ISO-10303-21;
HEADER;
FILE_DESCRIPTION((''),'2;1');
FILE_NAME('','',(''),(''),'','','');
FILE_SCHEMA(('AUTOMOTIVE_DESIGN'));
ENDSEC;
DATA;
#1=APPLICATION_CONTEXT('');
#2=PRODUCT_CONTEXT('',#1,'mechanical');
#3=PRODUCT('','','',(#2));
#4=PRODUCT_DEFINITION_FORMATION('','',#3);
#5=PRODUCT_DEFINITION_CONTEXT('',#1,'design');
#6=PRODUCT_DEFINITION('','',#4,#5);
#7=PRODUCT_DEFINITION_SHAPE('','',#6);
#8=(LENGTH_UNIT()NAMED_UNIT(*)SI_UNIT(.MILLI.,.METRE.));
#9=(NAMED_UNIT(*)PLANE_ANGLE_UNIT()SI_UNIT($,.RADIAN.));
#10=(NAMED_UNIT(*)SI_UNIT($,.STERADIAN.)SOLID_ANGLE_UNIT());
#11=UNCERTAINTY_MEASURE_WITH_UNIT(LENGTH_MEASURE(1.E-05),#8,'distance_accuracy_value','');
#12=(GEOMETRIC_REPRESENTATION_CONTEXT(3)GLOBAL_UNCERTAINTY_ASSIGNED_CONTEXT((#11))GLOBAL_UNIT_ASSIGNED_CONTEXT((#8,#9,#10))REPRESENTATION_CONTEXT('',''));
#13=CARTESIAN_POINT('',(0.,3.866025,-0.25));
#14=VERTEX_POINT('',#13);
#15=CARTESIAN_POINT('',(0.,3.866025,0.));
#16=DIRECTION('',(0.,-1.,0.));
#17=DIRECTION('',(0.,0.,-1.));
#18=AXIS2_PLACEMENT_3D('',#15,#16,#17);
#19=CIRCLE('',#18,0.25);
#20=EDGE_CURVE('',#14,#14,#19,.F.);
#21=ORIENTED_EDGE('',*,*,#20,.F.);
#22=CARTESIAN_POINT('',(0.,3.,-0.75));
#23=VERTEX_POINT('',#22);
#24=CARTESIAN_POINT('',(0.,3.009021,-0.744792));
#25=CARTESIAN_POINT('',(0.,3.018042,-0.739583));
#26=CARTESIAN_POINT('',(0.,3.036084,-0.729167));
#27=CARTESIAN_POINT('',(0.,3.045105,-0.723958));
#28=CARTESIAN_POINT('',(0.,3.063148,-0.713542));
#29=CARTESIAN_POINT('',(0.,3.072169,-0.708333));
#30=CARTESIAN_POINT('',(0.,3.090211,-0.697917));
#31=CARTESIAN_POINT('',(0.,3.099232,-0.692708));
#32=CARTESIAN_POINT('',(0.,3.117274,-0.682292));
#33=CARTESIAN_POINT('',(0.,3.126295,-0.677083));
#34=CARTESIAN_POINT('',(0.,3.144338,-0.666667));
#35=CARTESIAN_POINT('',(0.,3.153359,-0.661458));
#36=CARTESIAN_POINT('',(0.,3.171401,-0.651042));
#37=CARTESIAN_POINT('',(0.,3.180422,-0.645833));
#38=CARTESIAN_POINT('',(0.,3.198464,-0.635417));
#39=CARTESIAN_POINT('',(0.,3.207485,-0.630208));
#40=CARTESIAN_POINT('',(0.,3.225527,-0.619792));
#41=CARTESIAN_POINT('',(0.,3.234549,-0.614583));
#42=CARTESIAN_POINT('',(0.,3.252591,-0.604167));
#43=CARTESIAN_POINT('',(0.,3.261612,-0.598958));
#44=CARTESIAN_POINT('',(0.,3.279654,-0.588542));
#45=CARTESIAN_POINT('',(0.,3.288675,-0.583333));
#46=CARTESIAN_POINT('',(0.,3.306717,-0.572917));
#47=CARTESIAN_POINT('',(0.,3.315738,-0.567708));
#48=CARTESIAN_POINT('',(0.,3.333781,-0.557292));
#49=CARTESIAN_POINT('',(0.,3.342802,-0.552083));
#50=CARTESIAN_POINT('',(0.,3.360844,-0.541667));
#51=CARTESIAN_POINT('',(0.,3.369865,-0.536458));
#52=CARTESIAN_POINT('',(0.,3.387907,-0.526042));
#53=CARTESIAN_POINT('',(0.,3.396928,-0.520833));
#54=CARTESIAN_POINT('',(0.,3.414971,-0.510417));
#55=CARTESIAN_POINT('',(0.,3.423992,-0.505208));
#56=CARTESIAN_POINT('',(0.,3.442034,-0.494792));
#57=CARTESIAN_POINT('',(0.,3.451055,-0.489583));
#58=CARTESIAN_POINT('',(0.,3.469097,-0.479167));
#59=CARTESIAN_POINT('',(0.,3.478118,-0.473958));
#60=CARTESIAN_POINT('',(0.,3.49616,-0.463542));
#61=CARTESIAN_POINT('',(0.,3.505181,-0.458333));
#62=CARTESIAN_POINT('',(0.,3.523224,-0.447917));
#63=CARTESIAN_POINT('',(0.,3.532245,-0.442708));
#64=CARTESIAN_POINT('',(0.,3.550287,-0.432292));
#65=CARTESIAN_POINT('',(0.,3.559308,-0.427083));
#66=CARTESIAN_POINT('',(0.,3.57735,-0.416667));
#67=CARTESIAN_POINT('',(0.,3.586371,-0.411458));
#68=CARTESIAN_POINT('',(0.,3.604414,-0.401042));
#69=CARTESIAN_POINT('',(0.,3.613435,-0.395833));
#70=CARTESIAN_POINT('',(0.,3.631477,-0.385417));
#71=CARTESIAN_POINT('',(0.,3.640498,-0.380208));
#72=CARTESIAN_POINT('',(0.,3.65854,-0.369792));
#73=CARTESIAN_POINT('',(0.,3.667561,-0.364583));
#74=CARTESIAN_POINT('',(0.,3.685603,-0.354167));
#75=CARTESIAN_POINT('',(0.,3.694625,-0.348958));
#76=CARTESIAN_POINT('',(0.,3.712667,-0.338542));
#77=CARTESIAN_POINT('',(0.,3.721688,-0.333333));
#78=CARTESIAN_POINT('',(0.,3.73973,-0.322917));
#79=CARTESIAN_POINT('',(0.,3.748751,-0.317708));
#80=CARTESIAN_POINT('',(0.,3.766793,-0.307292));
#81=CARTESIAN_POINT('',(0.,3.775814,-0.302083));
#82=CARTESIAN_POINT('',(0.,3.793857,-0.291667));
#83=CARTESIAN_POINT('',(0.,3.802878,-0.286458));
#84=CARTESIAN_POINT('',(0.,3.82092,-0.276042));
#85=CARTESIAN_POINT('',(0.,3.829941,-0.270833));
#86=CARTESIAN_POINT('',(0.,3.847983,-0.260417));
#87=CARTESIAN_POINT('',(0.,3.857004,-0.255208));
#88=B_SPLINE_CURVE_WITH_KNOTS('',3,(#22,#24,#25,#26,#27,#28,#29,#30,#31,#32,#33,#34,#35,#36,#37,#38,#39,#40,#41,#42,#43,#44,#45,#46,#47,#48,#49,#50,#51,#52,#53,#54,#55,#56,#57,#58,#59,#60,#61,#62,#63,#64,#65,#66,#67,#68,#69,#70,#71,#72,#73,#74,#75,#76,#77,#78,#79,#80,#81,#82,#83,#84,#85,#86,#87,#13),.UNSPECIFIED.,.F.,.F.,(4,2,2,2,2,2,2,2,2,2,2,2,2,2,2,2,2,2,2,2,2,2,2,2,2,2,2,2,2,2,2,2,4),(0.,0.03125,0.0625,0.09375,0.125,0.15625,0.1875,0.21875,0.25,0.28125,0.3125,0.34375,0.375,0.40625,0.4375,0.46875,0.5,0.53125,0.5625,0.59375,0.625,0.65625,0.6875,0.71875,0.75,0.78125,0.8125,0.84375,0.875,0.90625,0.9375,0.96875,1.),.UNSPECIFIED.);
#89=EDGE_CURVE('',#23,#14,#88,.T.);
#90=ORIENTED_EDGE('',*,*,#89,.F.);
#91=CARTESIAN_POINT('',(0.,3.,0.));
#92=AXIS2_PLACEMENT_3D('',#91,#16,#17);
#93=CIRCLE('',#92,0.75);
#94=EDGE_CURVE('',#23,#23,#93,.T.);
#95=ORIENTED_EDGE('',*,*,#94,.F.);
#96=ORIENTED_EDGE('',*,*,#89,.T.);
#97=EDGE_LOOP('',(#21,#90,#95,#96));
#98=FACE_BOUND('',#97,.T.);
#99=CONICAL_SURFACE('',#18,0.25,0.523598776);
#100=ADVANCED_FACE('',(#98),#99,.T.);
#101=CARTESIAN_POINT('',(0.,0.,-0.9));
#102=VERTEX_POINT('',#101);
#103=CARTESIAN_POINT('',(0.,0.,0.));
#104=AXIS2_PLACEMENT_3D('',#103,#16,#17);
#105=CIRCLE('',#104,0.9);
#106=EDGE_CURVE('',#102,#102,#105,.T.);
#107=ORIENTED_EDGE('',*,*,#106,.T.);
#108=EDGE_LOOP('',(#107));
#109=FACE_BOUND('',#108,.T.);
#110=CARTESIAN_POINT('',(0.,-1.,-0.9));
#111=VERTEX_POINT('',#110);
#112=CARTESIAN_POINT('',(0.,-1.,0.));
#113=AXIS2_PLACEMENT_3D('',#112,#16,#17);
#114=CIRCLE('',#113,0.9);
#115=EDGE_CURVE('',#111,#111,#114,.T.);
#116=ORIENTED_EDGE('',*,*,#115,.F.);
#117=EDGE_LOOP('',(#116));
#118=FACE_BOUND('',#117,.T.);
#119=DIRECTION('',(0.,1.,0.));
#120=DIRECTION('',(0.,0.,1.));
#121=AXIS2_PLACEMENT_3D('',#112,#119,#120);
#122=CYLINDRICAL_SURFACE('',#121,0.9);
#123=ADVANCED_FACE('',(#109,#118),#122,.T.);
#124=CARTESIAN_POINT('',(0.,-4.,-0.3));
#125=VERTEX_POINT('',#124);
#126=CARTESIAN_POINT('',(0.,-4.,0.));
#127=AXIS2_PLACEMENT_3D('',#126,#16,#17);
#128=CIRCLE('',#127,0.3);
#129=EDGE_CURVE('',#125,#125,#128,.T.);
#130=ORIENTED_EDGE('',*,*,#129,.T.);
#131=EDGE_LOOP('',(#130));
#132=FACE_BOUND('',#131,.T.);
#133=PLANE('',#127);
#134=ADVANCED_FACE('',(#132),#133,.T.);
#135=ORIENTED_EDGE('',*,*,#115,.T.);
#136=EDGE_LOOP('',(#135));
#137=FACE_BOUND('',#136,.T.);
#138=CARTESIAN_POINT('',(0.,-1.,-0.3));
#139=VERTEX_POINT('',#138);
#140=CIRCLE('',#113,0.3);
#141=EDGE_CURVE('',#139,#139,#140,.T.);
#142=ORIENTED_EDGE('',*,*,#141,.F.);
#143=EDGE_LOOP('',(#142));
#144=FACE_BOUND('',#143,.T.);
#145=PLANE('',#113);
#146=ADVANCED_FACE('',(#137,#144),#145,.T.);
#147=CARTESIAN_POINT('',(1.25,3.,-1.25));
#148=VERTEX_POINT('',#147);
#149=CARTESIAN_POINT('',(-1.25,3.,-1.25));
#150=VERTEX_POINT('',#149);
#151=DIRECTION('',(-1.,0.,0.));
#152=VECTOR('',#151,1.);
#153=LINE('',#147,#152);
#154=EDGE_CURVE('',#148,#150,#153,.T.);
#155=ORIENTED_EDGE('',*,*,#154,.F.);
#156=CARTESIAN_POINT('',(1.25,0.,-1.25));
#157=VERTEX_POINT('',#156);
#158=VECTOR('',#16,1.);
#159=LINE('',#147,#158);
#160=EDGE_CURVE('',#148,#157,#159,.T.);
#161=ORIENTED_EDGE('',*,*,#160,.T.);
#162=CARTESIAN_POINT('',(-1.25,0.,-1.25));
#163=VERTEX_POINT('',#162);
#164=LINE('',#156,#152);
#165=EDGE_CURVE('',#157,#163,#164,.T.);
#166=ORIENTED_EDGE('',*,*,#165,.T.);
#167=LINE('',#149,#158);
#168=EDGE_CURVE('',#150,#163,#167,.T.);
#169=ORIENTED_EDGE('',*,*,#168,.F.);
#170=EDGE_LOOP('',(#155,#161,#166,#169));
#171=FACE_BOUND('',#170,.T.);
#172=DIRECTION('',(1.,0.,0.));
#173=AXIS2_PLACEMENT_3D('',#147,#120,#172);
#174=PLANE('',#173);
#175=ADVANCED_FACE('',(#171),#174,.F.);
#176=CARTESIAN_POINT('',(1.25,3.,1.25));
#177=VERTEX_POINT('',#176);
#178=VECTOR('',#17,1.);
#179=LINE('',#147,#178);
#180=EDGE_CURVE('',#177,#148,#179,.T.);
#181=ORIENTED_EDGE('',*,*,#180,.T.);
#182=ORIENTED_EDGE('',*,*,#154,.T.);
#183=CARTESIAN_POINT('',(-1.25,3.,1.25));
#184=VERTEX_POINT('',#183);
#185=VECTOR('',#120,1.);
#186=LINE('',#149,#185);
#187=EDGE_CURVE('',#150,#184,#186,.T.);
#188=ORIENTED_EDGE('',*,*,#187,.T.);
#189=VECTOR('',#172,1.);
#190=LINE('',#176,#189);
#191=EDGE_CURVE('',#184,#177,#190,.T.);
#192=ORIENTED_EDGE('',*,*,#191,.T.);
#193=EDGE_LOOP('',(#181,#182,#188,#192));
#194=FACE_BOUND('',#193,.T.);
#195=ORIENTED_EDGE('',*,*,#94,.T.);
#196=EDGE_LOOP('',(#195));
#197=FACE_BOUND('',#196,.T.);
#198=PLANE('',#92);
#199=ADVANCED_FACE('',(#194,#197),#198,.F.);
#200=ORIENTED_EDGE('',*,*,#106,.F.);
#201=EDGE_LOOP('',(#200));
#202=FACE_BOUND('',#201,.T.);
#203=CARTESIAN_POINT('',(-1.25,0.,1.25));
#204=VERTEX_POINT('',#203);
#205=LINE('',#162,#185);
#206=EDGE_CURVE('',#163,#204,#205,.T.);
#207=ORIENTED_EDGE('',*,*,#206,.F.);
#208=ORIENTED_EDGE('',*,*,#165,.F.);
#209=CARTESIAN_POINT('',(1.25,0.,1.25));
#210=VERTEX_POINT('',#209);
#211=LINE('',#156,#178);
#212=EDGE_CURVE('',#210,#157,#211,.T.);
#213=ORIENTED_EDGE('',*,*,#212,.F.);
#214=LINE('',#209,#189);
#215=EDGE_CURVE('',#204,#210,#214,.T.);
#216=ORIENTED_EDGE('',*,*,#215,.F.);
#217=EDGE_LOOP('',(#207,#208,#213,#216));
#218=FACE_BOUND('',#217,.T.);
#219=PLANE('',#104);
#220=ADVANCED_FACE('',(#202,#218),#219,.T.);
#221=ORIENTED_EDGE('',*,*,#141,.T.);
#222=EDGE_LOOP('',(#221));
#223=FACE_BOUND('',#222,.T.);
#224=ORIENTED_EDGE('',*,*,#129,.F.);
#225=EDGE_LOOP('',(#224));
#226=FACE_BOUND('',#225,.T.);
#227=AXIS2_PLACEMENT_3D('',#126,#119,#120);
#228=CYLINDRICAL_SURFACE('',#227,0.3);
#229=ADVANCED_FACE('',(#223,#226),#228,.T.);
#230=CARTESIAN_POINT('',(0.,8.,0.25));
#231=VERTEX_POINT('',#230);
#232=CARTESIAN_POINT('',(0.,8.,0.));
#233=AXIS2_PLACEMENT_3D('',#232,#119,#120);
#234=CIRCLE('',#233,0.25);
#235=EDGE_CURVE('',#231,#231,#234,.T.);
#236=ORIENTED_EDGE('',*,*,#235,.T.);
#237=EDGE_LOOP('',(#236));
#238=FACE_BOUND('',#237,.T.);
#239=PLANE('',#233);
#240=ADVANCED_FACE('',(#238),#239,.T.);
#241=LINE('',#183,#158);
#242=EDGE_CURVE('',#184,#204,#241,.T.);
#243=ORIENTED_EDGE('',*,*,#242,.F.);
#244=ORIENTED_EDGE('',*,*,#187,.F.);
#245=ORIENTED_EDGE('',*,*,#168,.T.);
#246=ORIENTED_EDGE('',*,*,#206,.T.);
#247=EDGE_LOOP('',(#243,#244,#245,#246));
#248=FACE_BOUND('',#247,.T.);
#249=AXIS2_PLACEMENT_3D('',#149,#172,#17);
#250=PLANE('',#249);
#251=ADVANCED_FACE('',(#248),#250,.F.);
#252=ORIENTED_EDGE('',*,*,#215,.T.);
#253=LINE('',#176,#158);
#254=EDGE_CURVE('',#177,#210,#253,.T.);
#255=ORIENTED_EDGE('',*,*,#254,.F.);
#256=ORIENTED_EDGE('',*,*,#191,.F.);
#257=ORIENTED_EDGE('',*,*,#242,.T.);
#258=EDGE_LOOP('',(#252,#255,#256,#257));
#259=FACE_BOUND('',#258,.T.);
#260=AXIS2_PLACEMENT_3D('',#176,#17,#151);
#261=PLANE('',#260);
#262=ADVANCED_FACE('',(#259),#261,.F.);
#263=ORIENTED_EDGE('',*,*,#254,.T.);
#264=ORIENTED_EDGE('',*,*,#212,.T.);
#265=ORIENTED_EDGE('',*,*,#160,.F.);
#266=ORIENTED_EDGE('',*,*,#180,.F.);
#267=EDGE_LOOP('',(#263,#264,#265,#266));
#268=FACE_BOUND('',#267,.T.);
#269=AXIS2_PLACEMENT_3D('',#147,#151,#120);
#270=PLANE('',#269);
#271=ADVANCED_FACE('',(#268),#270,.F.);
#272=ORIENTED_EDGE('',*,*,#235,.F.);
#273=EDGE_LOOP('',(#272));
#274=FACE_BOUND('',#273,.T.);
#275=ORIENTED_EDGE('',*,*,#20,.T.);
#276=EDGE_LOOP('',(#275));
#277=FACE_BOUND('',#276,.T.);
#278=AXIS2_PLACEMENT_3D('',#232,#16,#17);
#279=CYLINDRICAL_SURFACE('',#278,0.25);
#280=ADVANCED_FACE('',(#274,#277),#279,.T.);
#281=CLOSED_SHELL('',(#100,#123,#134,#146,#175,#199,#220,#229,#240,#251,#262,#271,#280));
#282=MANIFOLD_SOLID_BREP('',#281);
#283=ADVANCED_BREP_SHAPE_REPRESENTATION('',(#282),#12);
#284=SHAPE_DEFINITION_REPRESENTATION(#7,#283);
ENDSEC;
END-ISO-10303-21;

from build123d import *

# Parameters (mm, degrees)
SKETCH_1_W      = 2.5
SKETCH_1_H      = 2.5
EXTRUDE_1_DEPTH = 3
SKETCH_3_R      = 0.9
EXTRUDE_2_DEPTH = 1
SKETCH_4_R      = 0.3
EXTRUDE_3_DEPTH = 3
SKETCH_5_R      = 0.25
EXTRUDE_4_DEPTH = 5
CHAMFER_1_SIZE  = 0.5
CHAMFER_1_SIZE2 = 0.866025404


with BuildPart() as part:
    # Эскиз1 → Бобышка-Вытянуть1 (new body)
    with BuildSketch(Plane(origin=(0, 0, 0), x_dir=(1, 0, 0), z_dir=(0, 1, 0))):
        Rectangle(SKETCH_1_W, SKETCH_1_H)
    extrude(amount=EXTRUDE_1_DEPTH)

    # Эскиз3 → Бобышка-Вытянуть2 (add)
    with BuildSketch(Plane.XZ):
        with Locations(Location((0, 0, 0), (0, 0, 270))):
            Circle(SKETCH_3_R)
    extrude(amount=EXTRUDE_2_DEPTH)

    # Эскиз4 → Бобышка-Вытянуть3 (add)
    with BuildSketch(Plane.XZ.offset(1)):
        with Locations(Location((0, 0, 0), (0, 0, 270))):
            Circle(SKETCH_4_R)
    extrude(amount=EXTRUDE_3_DEPTH)

    # Эскиз5 → Бобышка-Вытянуть4 (add)
    with BuildSketch(Plane(origin=(0, 3, 0), x_dir=(1, 0, 0), z_dir=(0, 1, 0))):
        with Locations(Location((0, 0, 0), (0, 0, 90))):
            Circle(SKETCH_5_R)
    extrude(amount=EXTRUDE_4_DEPTH)

    # Фаска1
    chamfer_1_edges = [part.edges().sort_by_distance(p)[0] for p in [
        (0, 3, 0.25),
    ]]
    chamfer_1_side = [part.faces().sort_by_distance(p)[0] for p in [
        (0, 3, -1.214644661),
    ]]
    chamfer(chamfer_1_edges, length=CHAMFER_1_SIZE, length2=CHAMFER_1_SIZE2, reference=chamfer_1_side[0])


solid = part.part
